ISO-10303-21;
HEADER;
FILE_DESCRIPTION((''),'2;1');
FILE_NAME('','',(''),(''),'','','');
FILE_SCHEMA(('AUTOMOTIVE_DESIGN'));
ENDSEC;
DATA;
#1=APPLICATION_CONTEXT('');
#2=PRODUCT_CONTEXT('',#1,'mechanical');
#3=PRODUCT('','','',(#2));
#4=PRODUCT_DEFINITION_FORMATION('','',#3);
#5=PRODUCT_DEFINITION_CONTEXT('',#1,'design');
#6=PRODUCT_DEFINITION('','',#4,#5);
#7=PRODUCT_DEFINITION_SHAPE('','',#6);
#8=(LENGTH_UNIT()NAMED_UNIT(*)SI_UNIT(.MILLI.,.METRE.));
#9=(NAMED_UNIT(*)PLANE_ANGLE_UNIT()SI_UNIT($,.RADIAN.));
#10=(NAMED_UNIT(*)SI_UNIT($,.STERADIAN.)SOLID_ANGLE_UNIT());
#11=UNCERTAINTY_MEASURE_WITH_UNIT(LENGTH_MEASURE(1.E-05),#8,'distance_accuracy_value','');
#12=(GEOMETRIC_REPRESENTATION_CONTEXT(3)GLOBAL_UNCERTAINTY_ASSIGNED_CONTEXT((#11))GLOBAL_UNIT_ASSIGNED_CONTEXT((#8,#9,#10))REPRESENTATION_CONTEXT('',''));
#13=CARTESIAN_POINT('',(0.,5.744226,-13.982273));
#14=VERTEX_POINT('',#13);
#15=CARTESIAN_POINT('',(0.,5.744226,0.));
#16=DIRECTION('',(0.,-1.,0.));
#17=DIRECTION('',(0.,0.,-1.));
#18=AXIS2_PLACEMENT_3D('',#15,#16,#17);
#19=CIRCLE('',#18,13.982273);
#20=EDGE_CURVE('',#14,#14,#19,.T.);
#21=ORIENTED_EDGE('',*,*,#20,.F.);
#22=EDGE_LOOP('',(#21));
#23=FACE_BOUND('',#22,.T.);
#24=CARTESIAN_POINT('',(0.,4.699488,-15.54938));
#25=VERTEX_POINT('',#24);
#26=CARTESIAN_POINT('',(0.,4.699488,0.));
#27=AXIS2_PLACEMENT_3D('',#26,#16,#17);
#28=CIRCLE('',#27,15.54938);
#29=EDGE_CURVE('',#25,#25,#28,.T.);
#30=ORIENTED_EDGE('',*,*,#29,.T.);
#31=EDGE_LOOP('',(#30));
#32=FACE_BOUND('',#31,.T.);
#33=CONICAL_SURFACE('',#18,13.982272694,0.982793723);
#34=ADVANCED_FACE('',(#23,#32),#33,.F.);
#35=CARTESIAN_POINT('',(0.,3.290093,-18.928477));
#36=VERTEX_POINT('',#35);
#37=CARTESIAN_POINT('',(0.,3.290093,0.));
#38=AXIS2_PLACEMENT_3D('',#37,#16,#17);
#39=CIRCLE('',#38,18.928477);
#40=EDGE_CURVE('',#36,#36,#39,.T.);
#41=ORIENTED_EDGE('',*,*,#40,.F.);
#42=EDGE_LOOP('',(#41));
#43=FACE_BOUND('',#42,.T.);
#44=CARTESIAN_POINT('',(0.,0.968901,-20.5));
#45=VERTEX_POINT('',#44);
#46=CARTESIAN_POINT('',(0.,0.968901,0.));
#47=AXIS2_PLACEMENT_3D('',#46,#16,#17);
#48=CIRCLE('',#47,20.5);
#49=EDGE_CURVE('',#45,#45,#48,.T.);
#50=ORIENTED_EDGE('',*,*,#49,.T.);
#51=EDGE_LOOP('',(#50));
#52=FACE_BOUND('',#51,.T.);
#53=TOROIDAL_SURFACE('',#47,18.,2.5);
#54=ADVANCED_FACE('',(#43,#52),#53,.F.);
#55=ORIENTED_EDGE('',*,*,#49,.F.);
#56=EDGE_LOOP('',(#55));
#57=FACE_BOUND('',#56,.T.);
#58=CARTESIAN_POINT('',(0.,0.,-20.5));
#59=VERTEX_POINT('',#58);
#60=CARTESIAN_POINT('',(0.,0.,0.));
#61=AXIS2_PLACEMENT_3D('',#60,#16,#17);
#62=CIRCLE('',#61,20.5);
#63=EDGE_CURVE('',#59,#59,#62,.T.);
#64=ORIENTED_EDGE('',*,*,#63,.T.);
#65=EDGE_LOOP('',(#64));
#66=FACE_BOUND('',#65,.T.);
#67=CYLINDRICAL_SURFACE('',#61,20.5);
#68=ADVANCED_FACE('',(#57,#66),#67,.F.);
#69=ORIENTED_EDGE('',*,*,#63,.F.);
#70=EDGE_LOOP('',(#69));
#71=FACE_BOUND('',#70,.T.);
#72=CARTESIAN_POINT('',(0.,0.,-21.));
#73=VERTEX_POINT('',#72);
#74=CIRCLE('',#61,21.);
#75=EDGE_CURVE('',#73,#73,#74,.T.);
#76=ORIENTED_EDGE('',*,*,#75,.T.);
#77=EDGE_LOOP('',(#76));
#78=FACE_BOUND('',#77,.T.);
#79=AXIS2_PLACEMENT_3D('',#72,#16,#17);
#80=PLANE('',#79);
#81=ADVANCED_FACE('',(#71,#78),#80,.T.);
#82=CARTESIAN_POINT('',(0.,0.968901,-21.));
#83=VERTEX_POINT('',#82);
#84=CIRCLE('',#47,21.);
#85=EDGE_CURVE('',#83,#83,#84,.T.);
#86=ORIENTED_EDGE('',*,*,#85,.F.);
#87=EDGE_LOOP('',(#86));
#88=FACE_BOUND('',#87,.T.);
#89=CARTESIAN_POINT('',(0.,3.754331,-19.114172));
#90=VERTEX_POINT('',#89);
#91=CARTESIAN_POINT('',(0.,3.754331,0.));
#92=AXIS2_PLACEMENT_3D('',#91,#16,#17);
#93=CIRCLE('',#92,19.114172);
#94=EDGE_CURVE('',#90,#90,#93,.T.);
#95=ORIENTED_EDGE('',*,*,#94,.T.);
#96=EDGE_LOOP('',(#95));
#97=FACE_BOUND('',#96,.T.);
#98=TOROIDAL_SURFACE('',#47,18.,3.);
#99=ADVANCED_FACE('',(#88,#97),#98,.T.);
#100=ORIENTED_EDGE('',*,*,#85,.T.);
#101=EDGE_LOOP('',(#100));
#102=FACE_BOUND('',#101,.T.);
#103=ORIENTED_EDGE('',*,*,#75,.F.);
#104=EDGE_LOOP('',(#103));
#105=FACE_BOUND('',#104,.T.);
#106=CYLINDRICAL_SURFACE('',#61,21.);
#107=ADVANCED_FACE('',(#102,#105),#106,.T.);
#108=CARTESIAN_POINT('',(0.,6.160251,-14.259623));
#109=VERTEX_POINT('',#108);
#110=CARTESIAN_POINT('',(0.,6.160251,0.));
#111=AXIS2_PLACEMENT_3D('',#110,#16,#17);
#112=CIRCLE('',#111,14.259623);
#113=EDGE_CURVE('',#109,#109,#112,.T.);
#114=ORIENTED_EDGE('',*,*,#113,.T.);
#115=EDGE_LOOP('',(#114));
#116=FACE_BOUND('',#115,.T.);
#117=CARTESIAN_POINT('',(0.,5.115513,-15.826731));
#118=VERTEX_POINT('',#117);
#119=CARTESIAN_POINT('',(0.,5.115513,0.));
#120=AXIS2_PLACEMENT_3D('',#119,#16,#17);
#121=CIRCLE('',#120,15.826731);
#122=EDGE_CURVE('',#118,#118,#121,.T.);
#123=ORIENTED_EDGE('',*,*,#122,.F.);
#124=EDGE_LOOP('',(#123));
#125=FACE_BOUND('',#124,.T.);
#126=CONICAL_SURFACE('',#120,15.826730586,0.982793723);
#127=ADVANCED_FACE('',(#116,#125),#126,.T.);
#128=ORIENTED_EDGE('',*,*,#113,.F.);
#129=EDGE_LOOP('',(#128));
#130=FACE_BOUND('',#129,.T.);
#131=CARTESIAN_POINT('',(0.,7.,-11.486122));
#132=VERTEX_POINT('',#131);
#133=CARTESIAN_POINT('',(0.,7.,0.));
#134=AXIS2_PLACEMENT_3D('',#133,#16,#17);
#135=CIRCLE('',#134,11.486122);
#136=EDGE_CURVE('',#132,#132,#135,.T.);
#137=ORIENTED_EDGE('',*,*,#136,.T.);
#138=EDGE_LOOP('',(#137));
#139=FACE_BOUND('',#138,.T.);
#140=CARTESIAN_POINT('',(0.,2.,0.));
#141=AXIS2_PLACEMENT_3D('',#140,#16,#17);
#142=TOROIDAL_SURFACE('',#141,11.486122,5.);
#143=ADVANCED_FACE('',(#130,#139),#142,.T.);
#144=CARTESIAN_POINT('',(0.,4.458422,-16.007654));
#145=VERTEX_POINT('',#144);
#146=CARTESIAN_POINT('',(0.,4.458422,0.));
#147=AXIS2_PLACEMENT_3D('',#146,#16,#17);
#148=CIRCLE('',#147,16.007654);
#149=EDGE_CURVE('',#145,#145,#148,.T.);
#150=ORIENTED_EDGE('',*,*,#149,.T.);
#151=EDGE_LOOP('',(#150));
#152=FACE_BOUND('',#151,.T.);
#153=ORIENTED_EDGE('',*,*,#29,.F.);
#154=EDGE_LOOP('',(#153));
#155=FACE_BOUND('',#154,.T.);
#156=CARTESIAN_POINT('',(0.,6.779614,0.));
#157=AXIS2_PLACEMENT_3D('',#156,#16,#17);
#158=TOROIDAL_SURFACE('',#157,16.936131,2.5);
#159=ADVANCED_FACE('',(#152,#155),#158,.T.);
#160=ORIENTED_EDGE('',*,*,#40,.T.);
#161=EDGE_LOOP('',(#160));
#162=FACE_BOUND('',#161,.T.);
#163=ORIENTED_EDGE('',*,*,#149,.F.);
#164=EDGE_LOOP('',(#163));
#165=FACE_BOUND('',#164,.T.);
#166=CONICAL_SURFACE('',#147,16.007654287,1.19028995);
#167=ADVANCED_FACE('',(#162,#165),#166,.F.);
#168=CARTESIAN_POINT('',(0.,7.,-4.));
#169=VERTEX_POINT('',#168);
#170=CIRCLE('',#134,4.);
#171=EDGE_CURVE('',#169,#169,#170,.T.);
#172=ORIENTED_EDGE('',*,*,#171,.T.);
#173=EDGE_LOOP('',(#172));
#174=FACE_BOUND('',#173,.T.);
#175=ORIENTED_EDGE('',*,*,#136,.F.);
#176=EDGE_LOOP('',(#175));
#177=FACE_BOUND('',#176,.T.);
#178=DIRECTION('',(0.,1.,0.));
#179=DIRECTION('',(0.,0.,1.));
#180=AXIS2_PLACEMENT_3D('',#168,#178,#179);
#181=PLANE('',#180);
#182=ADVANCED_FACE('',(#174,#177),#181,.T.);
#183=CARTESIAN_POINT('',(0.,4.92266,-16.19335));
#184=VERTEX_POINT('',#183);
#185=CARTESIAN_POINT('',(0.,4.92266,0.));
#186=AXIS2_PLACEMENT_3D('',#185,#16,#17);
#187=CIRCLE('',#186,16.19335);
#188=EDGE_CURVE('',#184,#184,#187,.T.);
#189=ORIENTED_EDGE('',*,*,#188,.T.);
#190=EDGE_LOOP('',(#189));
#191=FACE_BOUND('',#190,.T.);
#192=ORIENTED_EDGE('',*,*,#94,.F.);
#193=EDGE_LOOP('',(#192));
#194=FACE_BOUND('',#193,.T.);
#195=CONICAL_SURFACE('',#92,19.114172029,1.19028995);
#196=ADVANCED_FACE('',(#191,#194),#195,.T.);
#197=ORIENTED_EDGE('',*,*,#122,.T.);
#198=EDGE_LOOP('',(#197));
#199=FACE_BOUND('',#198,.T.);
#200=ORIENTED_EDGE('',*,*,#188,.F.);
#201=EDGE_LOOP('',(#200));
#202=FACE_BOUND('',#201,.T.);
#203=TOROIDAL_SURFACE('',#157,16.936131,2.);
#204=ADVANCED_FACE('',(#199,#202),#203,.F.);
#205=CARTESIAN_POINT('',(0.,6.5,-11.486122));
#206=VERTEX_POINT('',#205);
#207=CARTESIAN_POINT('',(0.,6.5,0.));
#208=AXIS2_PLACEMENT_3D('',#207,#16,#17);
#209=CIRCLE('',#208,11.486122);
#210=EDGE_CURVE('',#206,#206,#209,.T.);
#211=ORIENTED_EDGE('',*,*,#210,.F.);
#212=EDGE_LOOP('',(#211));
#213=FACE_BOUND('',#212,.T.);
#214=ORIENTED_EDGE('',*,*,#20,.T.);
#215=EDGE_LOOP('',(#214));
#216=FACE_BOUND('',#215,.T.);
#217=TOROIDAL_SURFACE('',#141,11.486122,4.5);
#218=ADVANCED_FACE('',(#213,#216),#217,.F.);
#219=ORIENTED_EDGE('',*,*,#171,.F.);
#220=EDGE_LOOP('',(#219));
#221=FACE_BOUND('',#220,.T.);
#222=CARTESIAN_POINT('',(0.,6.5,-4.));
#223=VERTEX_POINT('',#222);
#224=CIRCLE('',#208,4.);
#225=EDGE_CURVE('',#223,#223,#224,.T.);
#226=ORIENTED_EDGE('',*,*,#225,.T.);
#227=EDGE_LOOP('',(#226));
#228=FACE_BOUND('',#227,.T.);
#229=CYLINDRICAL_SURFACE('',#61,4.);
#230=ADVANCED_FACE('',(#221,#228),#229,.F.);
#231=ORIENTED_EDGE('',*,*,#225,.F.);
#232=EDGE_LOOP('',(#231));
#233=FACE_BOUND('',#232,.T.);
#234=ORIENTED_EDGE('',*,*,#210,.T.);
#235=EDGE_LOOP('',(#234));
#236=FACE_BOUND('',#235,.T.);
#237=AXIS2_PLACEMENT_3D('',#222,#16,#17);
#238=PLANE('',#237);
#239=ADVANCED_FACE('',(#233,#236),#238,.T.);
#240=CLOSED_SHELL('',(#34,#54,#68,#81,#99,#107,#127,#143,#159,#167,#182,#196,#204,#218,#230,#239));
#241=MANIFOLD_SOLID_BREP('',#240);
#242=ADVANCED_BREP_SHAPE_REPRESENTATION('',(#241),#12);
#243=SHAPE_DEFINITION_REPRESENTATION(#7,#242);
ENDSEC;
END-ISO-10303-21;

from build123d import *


with BuildPart() as part:
    # Sketch2 → Revolve1 (revolve)
    with BuildSketch(Plane(origin=(0, 0, 0), x_dir=(0, 0, -1), z_dir=(1, 0, 0))):
        with BuildLine():
            Line((4, 7), (11.486121811, 7))
            ThreePointArc((11.486121811, 7), (12.935042555, 6.785460132), (14.259622792, 6.160251472))
            Line((14.259622792, 6.160251472), (15.826730586, 5.115512943))
            ThreePointArc((15.826730586, 5.115512943), (16.005033586, 5.009569), (16.193349625, 4.92266015))
            Line((16.193349625, 4.92266015), (19.114172029, 3.754331188))
            ThreePointArc((19.114172029, 3.754331188), (20.484201691, 2.650787544), (21, 0.968901116))
            Line((21, 0.968901116), (21, 0))
            Line((21, 0), (20.5, 0))
            Line((20.5, 0), (20.5, 0.968901116))
            ThreePointArc((20.5, 0.968901116), (20.070168076, 2.370473139), (18.928476691, 3.290092843))
            Line((18.928476691, 3.290092843), (16.007654287, 4.458421804))
            ThreePointArc((16.007654287, 4.458421804), (15.772259237, 4.567057866), (15.549380487, 4.699487796))
            Line((15.549380487, 4.699487796), (13.982272694, 5.744226325))
            ThreePointArc((13.982272694, 5.744226325), (12.79015048, 6.306914119), (11.486121811, 6.5))
            Line((11.486121811, 6.5), (4, 6.5))
            Line((4, 6.5), (4, 7))
        make_face()
    revolve(axis=Axis((0, 0, 0), (0, 1, 0)))


solid = part.part
